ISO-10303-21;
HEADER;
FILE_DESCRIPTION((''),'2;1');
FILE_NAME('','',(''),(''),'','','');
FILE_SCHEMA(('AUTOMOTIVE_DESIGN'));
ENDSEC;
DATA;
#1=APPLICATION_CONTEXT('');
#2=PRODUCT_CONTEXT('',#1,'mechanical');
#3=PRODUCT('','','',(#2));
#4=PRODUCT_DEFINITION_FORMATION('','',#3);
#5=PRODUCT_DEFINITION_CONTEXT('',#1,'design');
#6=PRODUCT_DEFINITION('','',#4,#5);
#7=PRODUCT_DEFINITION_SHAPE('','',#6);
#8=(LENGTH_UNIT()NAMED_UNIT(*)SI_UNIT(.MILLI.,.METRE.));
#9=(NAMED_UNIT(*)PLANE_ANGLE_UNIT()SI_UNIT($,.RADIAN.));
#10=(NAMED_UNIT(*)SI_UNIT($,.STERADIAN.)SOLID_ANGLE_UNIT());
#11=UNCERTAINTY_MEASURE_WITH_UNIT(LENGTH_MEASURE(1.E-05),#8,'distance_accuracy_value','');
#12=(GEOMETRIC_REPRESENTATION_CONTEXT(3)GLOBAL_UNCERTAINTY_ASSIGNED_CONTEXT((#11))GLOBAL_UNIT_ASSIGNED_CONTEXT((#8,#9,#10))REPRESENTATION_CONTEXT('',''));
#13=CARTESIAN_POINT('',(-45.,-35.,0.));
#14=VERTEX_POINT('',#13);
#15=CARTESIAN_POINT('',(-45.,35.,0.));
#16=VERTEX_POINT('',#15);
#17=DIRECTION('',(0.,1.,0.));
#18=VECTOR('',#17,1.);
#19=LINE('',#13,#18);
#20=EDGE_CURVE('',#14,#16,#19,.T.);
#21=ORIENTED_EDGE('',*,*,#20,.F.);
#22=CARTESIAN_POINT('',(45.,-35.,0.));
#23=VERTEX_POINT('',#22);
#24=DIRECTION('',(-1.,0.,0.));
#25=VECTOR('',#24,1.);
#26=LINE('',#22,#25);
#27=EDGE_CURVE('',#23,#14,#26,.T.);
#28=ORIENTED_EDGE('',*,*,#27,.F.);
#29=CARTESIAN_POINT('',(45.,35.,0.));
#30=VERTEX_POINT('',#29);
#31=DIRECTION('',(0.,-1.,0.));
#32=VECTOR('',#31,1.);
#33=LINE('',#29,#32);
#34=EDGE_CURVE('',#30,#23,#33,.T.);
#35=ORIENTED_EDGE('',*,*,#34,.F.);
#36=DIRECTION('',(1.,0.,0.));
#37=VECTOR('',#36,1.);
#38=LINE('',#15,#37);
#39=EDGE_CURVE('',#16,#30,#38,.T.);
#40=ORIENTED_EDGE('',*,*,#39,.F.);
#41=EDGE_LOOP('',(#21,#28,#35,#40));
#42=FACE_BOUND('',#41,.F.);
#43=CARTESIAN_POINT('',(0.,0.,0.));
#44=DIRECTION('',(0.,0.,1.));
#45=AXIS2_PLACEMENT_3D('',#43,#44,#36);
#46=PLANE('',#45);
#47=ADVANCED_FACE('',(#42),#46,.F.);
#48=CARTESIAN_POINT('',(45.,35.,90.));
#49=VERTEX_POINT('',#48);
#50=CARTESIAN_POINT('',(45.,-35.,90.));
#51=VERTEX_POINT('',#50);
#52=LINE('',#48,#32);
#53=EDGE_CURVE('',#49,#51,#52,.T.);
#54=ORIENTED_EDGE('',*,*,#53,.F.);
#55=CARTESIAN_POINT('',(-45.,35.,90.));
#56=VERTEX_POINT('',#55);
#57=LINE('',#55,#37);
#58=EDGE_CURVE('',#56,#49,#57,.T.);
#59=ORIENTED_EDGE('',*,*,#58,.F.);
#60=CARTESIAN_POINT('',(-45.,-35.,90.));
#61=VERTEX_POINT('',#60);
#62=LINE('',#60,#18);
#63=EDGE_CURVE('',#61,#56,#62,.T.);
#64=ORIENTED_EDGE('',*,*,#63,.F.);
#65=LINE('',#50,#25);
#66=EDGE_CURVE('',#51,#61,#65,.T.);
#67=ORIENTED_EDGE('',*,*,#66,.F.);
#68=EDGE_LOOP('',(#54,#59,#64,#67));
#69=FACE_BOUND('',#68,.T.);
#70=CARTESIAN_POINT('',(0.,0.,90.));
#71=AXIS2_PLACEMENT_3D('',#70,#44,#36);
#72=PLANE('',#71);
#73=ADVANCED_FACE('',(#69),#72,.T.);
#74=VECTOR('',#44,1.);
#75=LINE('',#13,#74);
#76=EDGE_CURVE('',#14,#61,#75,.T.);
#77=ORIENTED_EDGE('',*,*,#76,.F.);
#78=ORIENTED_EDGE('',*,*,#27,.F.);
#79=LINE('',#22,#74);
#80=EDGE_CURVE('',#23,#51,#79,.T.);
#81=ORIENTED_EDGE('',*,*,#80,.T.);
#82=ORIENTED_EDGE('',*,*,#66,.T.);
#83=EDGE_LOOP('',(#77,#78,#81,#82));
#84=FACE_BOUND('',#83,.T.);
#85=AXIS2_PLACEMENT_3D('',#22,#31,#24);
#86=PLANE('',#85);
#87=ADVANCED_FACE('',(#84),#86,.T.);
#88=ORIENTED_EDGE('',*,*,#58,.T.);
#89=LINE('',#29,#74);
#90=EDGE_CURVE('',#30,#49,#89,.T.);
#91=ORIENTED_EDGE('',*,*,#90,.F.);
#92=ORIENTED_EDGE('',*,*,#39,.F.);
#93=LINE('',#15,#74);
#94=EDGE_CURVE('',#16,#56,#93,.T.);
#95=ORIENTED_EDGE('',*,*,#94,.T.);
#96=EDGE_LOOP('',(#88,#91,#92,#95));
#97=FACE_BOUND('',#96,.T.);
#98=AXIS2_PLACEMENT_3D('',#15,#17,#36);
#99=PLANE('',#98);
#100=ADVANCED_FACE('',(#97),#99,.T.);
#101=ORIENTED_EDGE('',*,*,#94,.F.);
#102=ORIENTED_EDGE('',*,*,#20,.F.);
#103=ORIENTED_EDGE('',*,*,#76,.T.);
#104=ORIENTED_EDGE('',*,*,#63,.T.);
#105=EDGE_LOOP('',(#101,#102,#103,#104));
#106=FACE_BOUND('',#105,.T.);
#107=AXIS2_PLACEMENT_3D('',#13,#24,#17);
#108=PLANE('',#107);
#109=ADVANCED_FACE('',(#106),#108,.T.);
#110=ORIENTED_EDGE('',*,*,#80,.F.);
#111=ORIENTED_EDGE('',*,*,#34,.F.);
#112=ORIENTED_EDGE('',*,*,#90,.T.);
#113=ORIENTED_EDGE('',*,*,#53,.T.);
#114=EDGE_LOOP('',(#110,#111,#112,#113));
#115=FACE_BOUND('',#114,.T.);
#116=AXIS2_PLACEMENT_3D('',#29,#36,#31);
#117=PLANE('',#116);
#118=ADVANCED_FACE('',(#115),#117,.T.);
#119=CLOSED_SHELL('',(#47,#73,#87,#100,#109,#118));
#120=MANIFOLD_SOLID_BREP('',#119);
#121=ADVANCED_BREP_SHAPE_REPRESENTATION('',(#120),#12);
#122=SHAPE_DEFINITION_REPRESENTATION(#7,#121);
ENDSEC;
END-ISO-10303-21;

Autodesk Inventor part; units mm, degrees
ref_plane "YZ Plane" through (0, 0, 0) normal (1, 0, 0) x (0, 1, 0)
ref_plane "XZ Plane" through (0, 0, 0) normal (0, 1, 0) x (-1, 0, 0)
ref_plane "XY Plane" through (0, 0, 0) normal (0, 0, 1) x (1, 0, 0)
sketch "Sketch1" plane through (0, 0, 0) normal (0, 0, 1) x (1, 0, 0)
  line L0 (-45, 35) -> (45, 35)
  line L1 (45, 35) -> (45, -35)
  line L2 (45, -35) -> (-45, -35)
  line L3 (-45, -35) -> (-45, 35)
  line L4 (0, 0) -> (45, 0) construction
  line L5 (0, 0) -> (0, 35) construction
  dimension "d0" = 90
  dimension "d3" = 70
extrude "Extrusion1" add sketch "Sketch1" along normal blind 90
properties part number "block_model"
